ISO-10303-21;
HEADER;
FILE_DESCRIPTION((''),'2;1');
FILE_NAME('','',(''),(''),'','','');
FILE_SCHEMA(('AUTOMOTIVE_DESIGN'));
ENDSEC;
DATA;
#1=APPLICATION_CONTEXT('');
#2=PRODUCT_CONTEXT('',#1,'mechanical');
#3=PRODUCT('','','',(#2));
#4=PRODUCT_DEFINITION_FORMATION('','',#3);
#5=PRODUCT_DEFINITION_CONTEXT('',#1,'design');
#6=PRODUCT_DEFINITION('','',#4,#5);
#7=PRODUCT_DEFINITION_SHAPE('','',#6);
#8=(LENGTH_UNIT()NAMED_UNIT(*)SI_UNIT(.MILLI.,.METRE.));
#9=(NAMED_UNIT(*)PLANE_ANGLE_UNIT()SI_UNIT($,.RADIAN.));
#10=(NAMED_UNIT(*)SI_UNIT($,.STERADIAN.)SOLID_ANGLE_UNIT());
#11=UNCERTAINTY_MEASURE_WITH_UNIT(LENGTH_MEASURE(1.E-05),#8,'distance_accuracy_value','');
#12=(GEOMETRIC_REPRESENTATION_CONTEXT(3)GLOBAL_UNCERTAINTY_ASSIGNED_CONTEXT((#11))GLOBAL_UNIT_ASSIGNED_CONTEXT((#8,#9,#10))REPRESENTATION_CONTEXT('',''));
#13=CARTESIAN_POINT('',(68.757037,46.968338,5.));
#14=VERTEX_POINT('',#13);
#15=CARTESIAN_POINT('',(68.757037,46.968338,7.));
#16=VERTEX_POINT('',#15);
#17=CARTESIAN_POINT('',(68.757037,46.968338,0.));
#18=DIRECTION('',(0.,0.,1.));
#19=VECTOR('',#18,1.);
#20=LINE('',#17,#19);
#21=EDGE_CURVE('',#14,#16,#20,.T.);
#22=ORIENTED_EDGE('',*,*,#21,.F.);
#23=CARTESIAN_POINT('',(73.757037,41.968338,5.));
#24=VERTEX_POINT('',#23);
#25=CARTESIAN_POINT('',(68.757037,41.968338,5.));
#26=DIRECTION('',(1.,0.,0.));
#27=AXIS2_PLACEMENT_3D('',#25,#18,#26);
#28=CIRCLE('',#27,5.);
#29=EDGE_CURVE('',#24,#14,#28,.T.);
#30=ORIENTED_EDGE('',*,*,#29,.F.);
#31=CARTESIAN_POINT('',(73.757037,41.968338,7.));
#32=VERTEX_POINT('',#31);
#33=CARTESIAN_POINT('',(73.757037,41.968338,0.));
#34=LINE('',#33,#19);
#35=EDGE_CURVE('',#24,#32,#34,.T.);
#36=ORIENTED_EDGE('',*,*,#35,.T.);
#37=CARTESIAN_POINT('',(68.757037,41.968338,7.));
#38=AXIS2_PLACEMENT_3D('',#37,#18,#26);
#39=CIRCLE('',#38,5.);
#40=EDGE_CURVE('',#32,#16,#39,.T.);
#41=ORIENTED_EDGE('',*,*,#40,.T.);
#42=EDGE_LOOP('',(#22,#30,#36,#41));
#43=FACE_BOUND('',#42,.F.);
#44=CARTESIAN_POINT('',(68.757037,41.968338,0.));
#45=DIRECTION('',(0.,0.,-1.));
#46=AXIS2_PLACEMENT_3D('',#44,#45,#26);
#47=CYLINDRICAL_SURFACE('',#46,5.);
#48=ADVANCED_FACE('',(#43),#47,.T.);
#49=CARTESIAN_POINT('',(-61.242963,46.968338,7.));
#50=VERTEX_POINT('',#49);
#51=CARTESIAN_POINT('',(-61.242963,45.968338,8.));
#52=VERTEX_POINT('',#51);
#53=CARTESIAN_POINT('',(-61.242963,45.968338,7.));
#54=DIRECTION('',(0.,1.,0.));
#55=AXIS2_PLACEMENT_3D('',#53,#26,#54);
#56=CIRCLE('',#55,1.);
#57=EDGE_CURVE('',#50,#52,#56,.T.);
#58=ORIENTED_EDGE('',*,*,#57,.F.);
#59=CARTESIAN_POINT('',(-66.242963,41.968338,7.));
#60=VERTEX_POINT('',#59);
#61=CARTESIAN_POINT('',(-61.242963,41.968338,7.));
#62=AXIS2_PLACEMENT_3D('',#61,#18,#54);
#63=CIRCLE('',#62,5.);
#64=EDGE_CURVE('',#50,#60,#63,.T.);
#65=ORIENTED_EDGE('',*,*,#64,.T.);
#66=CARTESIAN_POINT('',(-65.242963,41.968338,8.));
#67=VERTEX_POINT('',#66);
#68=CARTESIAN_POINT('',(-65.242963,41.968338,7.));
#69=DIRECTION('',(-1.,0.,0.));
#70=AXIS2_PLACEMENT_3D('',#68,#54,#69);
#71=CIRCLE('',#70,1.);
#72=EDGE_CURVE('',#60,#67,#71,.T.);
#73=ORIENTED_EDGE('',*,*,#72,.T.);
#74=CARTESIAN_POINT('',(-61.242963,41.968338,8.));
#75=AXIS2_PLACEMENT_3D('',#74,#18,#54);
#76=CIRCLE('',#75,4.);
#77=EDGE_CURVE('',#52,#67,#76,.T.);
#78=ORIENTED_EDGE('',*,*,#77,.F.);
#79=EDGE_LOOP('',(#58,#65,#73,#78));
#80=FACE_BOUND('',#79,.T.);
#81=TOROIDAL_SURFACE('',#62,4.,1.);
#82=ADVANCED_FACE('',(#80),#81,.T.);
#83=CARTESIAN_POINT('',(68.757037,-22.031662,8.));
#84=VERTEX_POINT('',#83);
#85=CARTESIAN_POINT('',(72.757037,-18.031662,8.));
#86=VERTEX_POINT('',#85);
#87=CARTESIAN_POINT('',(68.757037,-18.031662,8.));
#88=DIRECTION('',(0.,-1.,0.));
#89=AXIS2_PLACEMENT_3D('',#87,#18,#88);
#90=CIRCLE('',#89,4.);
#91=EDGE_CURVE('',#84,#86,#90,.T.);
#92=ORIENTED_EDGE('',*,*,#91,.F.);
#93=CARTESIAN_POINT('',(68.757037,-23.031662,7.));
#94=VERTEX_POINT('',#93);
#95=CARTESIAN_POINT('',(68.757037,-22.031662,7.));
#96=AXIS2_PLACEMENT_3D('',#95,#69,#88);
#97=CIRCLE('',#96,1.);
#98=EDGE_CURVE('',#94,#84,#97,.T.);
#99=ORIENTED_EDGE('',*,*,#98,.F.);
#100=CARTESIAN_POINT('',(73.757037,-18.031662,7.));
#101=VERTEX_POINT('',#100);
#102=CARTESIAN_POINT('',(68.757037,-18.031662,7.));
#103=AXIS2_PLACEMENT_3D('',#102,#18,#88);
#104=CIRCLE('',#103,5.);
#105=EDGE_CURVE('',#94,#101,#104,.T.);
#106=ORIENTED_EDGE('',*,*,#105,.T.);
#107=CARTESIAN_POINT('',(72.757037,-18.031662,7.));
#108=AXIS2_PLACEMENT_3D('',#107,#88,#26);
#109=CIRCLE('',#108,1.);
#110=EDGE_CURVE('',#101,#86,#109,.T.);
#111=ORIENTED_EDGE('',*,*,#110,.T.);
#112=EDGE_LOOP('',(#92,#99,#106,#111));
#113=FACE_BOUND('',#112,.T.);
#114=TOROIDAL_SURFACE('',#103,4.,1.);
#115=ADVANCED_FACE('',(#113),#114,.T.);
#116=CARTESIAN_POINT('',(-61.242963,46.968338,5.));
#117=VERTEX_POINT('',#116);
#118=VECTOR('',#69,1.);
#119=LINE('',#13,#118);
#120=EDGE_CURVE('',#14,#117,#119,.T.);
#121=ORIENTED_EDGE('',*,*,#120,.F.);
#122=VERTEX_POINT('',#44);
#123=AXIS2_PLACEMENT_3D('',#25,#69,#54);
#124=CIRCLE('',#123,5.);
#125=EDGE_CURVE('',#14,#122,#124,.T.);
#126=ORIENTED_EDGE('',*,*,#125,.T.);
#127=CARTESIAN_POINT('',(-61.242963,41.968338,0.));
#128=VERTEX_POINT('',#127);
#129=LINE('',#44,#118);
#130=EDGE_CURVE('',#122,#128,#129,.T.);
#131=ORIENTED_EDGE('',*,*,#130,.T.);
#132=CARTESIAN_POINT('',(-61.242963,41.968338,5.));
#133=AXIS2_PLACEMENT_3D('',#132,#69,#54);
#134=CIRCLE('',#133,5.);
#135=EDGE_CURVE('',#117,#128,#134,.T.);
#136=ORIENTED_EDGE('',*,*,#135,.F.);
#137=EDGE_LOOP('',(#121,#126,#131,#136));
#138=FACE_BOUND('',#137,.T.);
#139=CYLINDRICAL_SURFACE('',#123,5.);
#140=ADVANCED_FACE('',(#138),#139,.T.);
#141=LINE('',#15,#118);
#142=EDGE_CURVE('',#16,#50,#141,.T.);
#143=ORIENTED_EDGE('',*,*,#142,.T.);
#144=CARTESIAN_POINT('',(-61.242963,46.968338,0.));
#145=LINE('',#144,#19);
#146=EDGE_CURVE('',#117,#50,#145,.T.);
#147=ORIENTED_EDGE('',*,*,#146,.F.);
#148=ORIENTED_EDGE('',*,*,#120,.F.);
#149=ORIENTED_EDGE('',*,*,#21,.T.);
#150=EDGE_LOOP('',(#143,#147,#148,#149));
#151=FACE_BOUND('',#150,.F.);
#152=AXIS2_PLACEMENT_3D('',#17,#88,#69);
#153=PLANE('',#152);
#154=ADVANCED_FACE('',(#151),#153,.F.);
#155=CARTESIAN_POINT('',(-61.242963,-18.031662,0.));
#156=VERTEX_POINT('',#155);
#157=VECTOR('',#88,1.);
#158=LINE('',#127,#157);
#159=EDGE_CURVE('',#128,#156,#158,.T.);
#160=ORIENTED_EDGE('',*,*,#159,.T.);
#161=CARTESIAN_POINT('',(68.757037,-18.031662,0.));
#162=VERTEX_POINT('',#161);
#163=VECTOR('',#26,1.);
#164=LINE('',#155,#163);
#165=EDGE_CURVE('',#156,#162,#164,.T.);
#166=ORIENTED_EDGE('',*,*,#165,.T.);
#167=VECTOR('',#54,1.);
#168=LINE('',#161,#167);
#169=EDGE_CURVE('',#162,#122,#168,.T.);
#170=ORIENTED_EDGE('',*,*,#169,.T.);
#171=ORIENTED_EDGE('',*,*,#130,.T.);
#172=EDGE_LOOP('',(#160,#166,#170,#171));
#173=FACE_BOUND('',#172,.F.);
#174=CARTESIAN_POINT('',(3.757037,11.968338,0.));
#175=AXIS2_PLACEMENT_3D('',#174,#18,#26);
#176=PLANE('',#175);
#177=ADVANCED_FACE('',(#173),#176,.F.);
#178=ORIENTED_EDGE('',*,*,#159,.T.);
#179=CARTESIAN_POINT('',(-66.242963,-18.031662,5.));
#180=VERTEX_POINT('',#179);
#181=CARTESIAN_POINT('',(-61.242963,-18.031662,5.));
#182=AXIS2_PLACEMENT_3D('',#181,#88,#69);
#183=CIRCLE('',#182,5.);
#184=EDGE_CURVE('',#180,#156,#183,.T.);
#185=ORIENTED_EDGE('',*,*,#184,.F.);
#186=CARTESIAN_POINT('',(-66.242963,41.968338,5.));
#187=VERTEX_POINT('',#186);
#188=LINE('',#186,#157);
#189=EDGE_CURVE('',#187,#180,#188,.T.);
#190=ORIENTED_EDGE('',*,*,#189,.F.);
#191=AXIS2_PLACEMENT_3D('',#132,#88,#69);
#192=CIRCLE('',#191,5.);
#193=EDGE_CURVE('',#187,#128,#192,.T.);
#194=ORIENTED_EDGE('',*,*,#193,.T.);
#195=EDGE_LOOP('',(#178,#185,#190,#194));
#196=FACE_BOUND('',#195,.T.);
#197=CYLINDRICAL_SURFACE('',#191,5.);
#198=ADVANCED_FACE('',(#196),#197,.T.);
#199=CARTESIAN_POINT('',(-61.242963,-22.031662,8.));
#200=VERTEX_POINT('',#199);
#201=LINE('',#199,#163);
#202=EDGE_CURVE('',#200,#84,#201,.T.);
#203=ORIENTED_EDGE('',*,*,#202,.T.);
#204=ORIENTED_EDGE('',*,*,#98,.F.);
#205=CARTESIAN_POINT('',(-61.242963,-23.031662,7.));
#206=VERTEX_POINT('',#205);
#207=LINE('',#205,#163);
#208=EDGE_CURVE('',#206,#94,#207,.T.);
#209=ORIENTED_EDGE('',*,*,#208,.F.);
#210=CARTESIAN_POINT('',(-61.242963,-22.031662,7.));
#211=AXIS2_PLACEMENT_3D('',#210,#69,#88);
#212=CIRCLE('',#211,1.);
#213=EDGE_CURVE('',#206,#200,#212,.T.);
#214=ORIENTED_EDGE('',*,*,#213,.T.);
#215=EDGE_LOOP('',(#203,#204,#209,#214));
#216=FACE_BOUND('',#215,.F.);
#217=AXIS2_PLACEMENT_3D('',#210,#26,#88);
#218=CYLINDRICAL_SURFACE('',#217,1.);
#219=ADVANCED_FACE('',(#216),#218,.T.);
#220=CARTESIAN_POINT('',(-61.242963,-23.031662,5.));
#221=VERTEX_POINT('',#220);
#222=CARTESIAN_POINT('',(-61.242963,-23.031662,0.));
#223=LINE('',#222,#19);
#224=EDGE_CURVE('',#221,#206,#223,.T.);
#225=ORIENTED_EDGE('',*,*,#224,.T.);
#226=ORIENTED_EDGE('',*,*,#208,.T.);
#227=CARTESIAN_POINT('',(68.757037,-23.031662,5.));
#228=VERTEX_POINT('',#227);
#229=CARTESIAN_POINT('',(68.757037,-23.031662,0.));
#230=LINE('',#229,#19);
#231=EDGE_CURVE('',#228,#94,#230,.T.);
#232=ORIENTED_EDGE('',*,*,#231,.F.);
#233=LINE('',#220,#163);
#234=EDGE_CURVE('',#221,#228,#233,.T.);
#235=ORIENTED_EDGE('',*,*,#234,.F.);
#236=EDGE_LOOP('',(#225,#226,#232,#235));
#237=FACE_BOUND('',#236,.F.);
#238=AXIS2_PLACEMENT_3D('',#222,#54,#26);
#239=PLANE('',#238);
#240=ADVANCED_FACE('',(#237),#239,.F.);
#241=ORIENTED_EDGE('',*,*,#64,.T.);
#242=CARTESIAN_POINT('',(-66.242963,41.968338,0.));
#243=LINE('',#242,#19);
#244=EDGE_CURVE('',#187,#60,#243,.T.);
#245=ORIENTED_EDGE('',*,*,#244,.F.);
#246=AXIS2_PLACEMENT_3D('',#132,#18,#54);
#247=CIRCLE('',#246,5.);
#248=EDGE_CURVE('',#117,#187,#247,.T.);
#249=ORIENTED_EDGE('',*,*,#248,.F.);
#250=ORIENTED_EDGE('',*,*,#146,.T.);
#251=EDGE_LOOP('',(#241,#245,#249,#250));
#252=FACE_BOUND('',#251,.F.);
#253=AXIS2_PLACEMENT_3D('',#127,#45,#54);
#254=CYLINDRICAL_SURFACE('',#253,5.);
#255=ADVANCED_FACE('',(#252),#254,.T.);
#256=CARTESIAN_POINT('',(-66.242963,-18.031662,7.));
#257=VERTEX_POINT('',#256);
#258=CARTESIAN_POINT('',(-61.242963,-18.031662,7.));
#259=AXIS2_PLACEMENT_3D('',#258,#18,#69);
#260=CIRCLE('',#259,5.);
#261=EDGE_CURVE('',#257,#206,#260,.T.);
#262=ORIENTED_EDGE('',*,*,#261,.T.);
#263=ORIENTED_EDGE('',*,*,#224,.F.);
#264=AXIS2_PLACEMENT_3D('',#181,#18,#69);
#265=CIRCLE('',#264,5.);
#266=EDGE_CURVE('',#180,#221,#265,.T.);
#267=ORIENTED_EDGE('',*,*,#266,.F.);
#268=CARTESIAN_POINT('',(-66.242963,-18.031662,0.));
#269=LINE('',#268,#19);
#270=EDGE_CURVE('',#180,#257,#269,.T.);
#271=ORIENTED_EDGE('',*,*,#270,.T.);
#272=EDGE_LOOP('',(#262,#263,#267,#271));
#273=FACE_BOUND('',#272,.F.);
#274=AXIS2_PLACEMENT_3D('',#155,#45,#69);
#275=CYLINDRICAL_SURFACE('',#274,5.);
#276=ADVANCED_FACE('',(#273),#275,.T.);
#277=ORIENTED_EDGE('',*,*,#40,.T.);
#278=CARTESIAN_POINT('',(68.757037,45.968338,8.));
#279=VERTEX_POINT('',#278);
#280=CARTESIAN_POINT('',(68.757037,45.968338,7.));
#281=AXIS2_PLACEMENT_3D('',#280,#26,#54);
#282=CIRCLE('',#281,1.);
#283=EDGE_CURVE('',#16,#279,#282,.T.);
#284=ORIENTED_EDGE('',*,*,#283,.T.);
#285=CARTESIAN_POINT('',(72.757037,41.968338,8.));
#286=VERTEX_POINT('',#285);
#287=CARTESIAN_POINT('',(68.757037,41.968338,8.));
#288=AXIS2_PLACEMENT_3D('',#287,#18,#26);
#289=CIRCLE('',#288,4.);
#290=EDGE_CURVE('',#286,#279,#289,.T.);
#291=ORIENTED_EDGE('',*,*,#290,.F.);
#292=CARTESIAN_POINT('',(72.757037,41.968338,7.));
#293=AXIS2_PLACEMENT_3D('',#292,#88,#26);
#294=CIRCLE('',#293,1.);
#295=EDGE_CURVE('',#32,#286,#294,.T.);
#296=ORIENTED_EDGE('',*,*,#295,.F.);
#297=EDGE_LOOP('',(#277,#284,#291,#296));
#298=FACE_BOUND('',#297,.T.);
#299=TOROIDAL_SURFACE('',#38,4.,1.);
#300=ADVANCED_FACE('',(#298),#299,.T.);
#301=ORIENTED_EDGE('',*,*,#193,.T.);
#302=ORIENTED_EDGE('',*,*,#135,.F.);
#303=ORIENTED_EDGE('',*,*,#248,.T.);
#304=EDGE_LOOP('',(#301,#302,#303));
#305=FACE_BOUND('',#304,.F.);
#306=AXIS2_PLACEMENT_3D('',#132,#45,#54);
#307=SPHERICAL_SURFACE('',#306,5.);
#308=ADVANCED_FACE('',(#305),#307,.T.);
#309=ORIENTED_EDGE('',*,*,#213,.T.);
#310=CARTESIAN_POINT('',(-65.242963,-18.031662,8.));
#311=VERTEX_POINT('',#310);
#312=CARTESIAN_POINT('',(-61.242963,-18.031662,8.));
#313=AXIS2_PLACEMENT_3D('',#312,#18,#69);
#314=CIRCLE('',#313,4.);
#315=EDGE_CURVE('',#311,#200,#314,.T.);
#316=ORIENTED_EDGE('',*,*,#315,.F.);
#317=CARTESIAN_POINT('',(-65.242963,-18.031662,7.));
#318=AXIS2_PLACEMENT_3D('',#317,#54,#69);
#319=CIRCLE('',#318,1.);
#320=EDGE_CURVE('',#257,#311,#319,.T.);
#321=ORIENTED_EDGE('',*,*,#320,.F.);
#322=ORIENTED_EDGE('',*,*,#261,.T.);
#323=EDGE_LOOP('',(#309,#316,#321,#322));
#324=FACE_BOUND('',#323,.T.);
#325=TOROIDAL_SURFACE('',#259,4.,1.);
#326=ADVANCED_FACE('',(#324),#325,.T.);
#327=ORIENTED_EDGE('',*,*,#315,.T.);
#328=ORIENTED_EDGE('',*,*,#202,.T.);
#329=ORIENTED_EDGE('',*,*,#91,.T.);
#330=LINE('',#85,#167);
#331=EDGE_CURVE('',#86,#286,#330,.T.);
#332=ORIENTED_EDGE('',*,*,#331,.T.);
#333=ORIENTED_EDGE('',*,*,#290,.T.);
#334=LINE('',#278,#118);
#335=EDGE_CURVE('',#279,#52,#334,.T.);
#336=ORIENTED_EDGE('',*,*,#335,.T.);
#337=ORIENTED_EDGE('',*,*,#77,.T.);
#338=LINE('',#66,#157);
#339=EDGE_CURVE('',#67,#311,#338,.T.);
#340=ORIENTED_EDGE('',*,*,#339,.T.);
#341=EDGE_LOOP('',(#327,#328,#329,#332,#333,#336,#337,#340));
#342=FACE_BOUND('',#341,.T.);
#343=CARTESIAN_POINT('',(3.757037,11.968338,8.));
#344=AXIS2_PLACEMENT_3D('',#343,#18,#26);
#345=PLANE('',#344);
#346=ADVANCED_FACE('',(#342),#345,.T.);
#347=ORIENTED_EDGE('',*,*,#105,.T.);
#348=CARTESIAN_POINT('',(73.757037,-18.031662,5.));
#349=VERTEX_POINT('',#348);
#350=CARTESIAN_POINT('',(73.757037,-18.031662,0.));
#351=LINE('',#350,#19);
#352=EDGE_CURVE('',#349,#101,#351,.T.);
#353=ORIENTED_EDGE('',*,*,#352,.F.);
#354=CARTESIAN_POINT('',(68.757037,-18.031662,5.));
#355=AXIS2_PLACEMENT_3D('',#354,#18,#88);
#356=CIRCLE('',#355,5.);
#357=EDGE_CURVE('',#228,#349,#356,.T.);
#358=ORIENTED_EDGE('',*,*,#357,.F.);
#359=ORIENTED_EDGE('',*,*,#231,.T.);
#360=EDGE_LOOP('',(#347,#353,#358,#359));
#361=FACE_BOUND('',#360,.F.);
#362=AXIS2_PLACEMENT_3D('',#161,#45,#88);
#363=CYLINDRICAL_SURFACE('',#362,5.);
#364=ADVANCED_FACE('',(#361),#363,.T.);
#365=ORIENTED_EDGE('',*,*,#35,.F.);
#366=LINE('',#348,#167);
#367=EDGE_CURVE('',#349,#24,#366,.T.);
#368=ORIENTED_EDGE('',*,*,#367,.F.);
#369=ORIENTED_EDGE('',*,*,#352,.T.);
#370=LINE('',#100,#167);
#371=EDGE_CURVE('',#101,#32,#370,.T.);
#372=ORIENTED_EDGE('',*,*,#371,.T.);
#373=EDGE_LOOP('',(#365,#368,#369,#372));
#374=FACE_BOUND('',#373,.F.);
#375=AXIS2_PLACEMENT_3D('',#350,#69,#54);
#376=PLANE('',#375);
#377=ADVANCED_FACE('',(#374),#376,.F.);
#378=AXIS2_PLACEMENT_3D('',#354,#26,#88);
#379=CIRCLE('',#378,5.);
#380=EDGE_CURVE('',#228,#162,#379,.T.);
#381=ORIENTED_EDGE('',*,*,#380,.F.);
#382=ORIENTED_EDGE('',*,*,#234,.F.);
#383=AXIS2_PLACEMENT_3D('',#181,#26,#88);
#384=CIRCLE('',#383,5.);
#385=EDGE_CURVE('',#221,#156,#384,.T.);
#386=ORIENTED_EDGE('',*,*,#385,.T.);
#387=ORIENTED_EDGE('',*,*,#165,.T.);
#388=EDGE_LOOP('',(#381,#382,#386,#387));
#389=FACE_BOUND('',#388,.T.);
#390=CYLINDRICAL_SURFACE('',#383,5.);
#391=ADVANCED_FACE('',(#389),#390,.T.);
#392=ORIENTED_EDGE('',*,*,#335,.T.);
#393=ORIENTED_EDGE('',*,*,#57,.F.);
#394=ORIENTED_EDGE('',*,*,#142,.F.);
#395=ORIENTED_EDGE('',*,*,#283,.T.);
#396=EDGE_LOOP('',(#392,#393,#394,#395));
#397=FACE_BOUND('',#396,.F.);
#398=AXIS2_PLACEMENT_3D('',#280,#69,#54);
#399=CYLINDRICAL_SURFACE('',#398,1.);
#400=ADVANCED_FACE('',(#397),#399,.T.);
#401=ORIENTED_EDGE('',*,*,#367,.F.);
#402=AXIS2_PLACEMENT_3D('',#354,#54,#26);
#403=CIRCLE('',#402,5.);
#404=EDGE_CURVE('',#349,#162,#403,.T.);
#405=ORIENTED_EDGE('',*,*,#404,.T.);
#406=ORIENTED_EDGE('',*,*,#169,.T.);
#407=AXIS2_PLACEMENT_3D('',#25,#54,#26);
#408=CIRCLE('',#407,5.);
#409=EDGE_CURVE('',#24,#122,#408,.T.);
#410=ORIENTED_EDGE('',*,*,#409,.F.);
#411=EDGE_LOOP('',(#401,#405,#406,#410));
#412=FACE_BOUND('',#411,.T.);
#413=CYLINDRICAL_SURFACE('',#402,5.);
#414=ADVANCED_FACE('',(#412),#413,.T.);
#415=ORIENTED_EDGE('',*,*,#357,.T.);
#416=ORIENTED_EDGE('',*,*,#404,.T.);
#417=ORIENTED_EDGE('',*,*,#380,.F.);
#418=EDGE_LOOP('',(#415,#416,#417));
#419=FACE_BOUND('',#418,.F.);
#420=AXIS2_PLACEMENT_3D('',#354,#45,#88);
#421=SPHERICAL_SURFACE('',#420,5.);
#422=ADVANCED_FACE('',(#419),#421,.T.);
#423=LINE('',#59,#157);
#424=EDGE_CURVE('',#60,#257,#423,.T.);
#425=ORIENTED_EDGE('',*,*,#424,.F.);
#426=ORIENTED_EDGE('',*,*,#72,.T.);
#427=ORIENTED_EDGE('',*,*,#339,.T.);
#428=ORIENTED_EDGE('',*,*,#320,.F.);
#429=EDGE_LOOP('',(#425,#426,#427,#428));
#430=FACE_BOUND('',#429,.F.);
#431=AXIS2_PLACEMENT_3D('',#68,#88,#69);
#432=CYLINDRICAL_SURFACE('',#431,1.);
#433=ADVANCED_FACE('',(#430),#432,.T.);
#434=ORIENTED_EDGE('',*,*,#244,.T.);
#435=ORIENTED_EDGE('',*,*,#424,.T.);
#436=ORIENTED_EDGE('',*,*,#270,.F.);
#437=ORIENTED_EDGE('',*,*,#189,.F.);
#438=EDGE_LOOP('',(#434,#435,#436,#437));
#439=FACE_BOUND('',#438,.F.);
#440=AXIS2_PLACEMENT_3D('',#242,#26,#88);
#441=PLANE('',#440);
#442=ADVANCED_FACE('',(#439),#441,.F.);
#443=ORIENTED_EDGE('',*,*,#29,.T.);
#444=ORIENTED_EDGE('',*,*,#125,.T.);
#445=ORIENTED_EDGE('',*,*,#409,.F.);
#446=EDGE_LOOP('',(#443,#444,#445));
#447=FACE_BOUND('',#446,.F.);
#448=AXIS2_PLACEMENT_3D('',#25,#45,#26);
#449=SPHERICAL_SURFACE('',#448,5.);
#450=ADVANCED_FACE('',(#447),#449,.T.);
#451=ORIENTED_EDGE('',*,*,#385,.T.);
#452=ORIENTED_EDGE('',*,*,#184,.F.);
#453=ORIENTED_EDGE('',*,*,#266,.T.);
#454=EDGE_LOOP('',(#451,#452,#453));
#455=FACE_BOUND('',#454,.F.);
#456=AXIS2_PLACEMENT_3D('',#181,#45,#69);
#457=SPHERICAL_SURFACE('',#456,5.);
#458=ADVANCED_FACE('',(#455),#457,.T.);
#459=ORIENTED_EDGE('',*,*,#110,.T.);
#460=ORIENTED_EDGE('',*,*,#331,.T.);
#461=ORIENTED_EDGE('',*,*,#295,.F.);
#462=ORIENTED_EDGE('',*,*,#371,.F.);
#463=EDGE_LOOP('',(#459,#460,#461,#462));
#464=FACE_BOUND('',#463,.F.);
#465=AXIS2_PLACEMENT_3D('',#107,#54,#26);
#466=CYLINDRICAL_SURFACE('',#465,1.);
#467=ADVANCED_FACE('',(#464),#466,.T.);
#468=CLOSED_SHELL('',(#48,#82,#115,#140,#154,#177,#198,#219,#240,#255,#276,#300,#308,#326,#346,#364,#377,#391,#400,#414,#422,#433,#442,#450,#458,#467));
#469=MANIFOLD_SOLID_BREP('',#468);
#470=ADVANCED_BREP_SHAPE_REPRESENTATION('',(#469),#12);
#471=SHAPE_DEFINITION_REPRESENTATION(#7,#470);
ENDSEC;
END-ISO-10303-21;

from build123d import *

# Parameters (mm, degrees)
F1_DEPTH = 8
F2_R     = 5
F3_R     = 1


with BuildPart() as f1:
    # F0 (on Top) → F1 (new body)
    with BuildSketch(Plane.XY):
        with BuildLine():
            Line((68.7570372224, 46.9683377401), (-61.2429627776, 46.9683377401))
            ThreePointArc((-61.2429627776, 46.9683377401), (-64.7784966835, 45.503871646), (-66.2429627776, 41.9683377401))
            Line((-66.2429627776, 41.9683377401), (-66.2429627776, -18.0316622599))
            ThreePointArc((-66.2429627776, -18.0316622599), (-64.7784966835, -21.5671961658), (-61.2429627776, -23.0316622599))
            Line((-61.2429627776, -23.0316622599), (68.7570372224, -23.0316622599))
            ThreePointArc((68.7570372224, -23.0316622599), (72.2925711283, -21.5671961658), (73.7570372224, -18.0316622599))
            Line((73.7570372224, -18.0316622599), (73.7570372224, 41.9683377401))
            ThreePointArc((73.7570372224, 41.9683377401), (72.2925711283, 45.503871646), (68.7570372224, 46.9683377401))
        make_face()
    extrude(amount=F1_DEPTH)

    # F2
    f2_edges = [f1.edges().sort_by_distance(p)[0] for p in [
        (3.757037, -23.031662, 0),
        (73.757037, 11.968338, 0),
    ]]
    fillet(f2_edges, radius=F2_R)

    # F3
    f3_edges = [f1.edges().sort_by_distance(p)[0] for p in [
        (3.757037, 46.968338, 8),
        (-64.778497, 45.503872, 8),
        (-66.242963, 11.968338, 8),
        (-64.778497, -21.567196, 8),
        (3.757037, -23.031662, 8),
        (72.292571, -21.567196, 8),
        (73.757037, 11.968338, 8),
        (72.292571, 45.503872, 8),
    ]]
    fillet(f3_edges, radius=F3_R)


solid = f1.part
